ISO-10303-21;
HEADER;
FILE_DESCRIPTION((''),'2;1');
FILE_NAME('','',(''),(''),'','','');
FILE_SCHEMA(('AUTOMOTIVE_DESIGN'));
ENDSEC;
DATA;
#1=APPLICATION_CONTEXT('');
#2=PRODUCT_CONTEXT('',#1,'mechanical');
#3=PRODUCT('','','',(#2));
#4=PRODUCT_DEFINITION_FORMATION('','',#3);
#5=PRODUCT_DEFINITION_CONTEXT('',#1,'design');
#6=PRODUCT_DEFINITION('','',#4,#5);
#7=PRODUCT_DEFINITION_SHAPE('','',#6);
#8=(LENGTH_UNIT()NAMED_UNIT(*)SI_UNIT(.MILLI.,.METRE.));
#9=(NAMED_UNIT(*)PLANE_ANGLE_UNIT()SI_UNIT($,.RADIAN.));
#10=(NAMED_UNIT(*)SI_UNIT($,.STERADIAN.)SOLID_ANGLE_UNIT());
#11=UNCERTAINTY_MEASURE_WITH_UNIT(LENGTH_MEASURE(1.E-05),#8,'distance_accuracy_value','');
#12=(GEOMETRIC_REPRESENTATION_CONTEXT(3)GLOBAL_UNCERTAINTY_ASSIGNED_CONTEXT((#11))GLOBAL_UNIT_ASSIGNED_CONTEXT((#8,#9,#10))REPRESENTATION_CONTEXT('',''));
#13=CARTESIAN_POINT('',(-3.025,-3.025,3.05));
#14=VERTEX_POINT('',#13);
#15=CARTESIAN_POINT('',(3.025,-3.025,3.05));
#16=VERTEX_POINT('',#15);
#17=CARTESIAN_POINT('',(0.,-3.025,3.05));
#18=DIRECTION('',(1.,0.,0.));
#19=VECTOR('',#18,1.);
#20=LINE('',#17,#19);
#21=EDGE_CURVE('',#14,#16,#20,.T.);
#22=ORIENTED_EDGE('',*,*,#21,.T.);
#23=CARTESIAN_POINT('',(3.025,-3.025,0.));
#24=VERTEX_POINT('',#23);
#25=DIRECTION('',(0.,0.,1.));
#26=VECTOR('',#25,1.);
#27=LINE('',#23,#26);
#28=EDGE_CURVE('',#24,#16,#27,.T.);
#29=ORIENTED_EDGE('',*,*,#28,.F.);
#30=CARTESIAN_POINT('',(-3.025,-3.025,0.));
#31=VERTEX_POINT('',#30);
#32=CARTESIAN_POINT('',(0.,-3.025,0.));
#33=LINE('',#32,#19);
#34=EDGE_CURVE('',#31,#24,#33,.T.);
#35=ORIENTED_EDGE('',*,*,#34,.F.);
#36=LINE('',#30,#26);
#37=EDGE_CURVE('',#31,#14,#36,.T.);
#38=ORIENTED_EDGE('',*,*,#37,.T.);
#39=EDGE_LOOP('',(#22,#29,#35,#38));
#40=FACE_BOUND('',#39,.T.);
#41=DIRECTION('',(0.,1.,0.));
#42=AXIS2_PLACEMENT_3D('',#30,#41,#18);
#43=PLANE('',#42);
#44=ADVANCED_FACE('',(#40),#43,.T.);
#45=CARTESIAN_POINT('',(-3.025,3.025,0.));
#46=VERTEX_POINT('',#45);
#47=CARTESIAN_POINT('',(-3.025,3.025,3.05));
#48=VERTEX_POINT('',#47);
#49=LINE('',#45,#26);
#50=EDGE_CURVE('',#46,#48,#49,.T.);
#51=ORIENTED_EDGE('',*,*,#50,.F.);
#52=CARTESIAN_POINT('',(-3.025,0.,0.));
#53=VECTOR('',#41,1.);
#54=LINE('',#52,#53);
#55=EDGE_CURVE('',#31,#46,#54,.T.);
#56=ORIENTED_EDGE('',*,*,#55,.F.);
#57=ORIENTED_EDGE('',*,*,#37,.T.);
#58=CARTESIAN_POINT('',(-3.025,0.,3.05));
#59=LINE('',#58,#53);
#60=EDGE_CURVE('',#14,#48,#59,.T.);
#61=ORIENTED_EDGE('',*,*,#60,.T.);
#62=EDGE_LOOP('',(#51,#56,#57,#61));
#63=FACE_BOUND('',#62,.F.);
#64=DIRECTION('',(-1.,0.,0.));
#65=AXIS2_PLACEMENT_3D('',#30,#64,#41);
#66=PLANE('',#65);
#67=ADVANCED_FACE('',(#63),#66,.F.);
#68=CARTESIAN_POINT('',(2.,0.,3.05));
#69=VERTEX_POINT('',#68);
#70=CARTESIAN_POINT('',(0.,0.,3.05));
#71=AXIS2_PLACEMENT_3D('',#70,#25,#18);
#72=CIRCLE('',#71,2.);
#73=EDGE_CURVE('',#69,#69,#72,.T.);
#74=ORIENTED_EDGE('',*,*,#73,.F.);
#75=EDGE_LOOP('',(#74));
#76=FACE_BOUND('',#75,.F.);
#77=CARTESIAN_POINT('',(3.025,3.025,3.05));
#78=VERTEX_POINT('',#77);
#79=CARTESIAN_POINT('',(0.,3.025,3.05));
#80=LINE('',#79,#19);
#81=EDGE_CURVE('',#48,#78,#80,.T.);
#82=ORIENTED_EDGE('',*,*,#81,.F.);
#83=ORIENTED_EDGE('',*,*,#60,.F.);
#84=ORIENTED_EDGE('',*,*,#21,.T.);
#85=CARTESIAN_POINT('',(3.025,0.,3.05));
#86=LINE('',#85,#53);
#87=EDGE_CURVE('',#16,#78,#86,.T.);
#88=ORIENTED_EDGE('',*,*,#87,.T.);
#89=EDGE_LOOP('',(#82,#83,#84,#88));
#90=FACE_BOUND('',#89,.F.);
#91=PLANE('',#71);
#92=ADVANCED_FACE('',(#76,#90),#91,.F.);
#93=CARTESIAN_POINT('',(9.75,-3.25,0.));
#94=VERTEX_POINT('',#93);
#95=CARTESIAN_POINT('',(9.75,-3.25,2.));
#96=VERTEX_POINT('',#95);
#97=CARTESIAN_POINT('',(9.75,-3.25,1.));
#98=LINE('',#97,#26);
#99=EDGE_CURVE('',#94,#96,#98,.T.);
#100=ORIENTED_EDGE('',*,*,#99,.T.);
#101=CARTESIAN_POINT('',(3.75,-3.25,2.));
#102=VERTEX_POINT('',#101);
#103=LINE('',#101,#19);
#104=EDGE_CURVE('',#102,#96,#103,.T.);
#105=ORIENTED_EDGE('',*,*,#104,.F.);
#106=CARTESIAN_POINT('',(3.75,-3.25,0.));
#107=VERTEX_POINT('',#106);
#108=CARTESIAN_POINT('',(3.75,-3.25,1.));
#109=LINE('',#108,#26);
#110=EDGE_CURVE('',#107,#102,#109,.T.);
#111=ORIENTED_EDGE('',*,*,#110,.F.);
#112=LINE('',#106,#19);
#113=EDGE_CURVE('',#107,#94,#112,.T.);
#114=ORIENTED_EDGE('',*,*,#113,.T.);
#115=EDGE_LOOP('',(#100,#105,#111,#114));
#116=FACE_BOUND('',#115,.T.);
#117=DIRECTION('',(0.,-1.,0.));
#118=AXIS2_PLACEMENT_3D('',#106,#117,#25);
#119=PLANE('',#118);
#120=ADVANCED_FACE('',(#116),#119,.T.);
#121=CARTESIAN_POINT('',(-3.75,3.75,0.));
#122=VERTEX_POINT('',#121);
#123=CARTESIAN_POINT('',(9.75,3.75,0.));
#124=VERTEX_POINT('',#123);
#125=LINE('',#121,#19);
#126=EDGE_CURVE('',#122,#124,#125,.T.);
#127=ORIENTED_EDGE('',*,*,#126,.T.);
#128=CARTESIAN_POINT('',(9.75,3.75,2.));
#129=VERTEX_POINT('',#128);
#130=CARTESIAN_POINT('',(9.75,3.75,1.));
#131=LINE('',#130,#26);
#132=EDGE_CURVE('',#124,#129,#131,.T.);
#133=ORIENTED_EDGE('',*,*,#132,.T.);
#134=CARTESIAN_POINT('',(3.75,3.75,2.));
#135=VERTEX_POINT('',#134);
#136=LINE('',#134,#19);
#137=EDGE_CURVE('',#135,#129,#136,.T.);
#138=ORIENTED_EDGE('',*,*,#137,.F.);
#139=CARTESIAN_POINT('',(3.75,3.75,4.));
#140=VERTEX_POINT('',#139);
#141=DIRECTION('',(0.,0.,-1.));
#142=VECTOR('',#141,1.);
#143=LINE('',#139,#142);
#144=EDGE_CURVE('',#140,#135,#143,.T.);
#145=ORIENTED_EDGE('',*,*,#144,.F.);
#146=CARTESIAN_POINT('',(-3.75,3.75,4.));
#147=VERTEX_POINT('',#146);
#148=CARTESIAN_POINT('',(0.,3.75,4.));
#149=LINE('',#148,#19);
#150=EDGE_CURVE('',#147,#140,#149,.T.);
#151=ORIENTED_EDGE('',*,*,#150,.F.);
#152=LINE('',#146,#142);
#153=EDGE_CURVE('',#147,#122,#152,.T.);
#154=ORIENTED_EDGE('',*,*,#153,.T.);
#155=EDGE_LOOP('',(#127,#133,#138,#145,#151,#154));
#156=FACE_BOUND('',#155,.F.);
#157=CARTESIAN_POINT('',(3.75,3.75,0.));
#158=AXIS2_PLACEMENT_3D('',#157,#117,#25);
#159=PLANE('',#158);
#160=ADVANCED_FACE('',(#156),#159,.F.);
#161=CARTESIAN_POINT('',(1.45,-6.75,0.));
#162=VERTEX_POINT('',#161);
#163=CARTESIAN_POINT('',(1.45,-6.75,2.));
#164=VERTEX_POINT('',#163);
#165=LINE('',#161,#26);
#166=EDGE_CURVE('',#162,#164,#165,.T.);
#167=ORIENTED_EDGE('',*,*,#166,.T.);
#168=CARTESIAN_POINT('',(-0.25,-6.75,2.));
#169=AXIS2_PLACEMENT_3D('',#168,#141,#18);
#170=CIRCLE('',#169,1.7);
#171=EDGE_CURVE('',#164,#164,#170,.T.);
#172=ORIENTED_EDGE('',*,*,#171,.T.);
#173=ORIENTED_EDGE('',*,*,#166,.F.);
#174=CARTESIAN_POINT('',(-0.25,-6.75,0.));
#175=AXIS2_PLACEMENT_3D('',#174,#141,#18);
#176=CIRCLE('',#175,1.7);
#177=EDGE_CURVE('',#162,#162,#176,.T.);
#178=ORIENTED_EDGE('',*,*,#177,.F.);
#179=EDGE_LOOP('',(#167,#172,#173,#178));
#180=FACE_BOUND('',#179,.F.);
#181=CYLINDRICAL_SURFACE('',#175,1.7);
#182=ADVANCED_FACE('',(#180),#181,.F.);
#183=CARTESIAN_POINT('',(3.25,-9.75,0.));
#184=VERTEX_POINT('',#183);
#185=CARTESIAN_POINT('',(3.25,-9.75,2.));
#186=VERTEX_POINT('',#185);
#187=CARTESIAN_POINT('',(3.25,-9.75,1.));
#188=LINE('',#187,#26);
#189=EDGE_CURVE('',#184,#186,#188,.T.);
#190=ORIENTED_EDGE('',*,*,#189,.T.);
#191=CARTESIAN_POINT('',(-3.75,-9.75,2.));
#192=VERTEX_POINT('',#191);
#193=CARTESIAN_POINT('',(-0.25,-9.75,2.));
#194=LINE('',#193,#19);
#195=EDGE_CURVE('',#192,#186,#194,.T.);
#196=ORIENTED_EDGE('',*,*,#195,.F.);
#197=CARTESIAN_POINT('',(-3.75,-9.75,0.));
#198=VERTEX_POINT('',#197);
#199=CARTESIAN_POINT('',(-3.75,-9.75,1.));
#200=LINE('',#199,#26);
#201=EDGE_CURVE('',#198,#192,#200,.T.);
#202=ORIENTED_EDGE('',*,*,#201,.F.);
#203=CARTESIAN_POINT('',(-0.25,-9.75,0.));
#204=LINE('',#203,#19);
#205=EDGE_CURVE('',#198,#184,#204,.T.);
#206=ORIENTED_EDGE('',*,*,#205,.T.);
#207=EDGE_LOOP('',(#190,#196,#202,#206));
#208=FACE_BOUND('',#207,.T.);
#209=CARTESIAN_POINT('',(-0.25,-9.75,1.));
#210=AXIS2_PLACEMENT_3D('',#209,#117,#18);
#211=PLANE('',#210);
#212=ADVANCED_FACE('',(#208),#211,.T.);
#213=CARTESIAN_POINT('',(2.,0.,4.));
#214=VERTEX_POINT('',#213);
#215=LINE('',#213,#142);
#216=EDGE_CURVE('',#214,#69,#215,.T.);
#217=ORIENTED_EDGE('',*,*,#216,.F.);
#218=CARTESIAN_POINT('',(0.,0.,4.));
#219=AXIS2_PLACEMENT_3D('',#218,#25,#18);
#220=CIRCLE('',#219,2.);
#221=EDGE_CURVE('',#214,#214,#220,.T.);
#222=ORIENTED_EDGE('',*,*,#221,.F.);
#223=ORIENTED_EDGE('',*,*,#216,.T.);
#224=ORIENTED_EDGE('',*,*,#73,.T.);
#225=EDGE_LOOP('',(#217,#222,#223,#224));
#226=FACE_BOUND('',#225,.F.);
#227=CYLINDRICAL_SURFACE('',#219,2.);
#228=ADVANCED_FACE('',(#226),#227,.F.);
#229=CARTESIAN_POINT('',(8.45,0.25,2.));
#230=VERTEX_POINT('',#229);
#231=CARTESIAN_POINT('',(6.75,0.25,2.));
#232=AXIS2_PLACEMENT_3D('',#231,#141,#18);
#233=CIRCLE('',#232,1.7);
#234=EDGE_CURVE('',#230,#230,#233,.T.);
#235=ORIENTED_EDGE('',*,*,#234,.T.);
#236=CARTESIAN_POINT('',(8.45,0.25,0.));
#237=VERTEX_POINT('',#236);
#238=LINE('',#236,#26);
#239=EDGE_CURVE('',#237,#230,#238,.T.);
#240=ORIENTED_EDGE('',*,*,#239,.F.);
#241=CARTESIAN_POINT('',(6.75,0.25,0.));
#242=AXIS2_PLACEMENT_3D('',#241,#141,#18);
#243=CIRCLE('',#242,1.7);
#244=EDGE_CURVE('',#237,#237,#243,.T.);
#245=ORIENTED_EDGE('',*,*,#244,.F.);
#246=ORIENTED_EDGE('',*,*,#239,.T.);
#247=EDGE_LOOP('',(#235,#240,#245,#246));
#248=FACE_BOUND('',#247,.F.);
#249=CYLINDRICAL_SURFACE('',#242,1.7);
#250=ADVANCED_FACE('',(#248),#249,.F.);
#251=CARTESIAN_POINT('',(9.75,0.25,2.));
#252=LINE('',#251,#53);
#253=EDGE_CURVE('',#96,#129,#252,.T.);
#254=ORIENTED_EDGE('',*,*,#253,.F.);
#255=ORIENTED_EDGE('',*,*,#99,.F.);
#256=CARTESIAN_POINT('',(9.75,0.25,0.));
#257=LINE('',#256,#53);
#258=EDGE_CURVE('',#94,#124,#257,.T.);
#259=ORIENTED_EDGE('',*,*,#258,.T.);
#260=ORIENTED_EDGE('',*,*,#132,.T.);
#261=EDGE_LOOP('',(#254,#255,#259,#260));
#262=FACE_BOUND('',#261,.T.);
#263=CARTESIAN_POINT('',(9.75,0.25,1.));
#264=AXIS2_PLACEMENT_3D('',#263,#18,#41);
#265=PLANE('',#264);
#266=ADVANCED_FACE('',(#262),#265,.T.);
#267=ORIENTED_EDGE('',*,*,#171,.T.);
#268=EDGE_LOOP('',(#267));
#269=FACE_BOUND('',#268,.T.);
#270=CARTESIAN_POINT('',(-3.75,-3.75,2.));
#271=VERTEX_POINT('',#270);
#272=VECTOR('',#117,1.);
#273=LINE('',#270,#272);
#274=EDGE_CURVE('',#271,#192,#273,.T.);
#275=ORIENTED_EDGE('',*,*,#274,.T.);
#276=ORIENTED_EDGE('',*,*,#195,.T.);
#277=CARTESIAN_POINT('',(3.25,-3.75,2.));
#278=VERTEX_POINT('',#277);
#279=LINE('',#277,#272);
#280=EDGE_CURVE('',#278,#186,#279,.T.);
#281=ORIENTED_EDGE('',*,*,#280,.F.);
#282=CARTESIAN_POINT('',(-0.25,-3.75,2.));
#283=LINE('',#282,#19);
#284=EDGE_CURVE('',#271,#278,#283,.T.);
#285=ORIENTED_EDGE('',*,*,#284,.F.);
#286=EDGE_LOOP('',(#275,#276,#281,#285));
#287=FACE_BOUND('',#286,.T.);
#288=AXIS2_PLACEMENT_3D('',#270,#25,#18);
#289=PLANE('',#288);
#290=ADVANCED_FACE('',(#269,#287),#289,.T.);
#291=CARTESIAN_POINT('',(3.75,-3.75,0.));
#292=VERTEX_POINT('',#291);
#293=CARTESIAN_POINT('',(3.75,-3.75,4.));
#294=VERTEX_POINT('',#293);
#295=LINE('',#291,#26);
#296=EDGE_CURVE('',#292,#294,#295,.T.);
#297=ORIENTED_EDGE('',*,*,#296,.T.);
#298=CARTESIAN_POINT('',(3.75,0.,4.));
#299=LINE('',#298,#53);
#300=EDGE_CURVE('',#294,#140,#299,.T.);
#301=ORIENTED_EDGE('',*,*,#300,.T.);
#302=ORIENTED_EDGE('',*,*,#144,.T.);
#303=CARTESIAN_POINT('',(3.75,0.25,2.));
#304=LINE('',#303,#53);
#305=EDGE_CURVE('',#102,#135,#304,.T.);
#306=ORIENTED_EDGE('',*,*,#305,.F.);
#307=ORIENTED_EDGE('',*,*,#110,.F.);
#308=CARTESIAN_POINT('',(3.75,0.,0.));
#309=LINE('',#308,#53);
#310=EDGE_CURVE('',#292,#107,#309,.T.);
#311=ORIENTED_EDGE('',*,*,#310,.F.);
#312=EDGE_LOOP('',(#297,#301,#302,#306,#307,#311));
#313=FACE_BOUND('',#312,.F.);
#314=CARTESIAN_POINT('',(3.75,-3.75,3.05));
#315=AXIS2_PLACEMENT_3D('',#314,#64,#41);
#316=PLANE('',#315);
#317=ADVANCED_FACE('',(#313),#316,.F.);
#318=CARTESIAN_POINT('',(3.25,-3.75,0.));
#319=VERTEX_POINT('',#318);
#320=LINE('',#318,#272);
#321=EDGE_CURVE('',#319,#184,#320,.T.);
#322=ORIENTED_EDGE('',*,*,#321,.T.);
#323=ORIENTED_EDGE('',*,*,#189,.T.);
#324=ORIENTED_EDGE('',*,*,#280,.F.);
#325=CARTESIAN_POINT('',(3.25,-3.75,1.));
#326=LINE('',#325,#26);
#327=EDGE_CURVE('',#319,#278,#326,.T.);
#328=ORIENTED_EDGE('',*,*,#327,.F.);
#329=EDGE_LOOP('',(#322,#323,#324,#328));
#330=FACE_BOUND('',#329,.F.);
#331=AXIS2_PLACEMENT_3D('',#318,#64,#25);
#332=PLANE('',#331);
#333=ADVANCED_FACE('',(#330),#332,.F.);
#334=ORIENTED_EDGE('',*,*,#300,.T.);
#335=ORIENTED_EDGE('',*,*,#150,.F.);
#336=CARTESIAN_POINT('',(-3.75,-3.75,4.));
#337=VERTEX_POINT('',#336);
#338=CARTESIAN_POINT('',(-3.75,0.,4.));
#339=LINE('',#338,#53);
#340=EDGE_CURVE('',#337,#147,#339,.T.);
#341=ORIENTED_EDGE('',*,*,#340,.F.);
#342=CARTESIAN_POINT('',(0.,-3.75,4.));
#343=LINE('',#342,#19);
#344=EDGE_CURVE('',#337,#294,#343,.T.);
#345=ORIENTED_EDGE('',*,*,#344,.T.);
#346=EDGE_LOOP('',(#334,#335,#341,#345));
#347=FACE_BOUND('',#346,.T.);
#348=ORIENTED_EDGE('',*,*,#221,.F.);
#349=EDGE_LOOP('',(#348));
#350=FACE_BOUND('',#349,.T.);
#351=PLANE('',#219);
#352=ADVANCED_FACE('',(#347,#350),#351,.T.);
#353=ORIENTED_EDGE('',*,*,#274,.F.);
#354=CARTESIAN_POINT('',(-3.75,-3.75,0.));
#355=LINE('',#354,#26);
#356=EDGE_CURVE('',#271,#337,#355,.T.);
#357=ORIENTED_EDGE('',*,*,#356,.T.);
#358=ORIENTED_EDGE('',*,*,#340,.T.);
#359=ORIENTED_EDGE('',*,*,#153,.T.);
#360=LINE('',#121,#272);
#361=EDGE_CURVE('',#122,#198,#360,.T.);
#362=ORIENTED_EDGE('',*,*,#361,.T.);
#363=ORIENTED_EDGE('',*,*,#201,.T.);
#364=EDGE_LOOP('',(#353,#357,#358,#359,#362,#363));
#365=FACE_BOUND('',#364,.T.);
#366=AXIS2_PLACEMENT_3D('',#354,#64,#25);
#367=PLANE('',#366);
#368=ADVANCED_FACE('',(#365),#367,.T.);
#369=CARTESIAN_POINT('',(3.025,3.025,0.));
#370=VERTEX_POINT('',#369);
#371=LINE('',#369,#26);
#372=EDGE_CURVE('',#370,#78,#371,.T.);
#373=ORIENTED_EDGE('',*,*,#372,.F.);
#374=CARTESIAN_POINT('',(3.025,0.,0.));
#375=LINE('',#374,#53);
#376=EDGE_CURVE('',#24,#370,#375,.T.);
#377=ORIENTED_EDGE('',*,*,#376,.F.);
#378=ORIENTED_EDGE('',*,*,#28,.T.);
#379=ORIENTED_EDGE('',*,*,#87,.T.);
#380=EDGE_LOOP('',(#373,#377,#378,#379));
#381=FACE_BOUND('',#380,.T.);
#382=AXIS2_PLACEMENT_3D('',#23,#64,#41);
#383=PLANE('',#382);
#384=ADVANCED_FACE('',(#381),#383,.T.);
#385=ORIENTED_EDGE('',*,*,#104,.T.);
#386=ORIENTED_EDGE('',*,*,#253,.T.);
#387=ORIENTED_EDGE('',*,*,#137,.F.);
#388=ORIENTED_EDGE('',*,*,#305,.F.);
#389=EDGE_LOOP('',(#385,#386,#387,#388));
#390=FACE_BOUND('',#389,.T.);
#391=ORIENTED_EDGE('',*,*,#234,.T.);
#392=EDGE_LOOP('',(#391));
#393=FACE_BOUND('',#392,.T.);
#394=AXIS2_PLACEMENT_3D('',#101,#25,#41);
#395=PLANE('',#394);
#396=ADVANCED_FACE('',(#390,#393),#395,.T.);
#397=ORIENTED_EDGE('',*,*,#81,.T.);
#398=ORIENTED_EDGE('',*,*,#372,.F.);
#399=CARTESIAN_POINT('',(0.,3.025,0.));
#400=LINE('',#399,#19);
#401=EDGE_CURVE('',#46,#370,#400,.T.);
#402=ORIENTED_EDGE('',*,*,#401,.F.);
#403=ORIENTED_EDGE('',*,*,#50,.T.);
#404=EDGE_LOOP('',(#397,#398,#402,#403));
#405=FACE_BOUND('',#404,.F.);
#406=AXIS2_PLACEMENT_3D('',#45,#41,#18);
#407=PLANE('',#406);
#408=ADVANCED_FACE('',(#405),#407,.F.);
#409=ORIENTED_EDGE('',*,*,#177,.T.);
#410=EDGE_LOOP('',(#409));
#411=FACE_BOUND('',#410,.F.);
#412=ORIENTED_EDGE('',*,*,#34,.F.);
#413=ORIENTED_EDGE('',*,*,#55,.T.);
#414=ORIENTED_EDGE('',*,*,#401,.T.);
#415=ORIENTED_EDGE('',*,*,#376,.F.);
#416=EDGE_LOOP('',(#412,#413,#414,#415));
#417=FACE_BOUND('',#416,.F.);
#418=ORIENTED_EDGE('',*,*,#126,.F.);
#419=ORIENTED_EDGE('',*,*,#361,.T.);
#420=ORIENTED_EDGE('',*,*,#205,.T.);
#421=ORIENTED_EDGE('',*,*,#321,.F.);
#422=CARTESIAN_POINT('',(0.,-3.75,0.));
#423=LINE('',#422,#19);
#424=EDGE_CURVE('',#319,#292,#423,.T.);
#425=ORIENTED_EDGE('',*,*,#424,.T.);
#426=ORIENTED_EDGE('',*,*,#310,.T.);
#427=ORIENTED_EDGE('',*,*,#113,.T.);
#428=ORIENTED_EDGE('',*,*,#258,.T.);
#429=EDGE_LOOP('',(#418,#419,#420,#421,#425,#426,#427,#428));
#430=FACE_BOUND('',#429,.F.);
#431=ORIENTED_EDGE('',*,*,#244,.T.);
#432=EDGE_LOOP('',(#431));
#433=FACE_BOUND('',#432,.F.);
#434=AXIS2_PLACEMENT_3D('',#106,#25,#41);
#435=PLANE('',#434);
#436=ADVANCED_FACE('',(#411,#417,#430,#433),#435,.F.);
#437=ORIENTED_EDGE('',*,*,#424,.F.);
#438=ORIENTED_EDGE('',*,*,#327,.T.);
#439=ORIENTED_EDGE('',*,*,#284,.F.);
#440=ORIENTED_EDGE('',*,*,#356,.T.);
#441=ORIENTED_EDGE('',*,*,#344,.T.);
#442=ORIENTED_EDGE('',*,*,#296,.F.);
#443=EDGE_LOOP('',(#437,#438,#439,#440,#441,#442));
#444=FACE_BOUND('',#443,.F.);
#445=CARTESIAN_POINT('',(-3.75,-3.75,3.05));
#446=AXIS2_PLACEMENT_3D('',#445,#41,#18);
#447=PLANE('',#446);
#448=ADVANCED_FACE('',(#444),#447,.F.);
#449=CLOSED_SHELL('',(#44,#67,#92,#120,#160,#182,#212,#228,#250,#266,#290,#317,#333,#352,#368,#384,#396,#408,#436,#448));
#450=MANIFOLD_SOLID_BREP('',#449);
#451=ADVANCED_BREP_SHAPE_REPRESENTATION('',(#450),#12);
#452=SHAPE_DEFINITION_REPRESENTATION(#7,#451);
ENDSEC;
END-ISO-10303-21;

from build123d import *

# Parameters (mm, degrees)
SKETCH_W     = 7.5
SKETCH_H     = 7.5
SKETCH_W_2   = 6.05
SKETCH_H_2   = 6.05
PAD_DEPTH    = 3.05
SKETCH001_W  = 7.5
SKETCH001_H  = 7.5
PAD001_DEPTH = 0.95
SKETCH002_W  = 7
SKETCH002_H  = 2
PAD002_DEPTH = 6
SKETCH004_W  = 7
SKETCH004_H  = 2
PAD003_DEPTH = 6
SKETCH005_R  = 1.7
HOLE_DEPTH   = 25
SKETCH006_R  = 2
POCKET_DEPTH = 1


with BuildPart() as part:
    # Sketch → Pad (new body)
    with BuildSketch(Plane.XY):
        Rectangle(SKETCH_W, SKETCH_H)
        Rectangle(SKETCH_W_2, SKETCH_H_2, mode=Mode.SUBTRACT)
    extrude(amount=PAD_DEPTH)

    # Sketch001 (on Face10 of Pad) → Pad001 (join)
    with BuildSketch(Plane.XY.offset(3.05)):
        Rectangle(SKETCH001_W, SKETCH001_H)
    extrude(amount=PAD001_DEPTH)

    # Sketch002 (on Face10 of Pad001) → Pad002 (join)
    with BuildSketch(Plane.XZ.offset(3.75)):
        with Locations((-0.25, 1)):
            Rectangle(SKETCH002_W, SKETCH002_H)
    extrude(amount=PAD002_DEPTH)

    # Sketch004 (on Face2 of Pad002) → Pad003 (join)
    with BuildSketch(Plane.YZ.offset(3.75)):
        with Locations((0.25, 1)):
            Rectangle(SKETCH004_W, SKETCH004_H)
    extrude(amount=PAD003_DEPTH)

    # Sketch005 (on Face11 of Pad003) → Hole (cut)
    with BuildSketch(Plane(origin=(0, 0, 0), x_dir=(1, 0, 0), z_dir=(0, 0, -1))):
        with Locations((6.75, -0.25)):
            Circle(SKETCH005_R)
        with Locations((-0.25, 6.75)):
            Circle(SKETCH005_R)
    extrude(amount=-HOLE_DEPTH, mode=Mode.SUBTRACT)

    # Sketch006 (on Face3 of Hole) → Pocket (cut)
    with BuildSketch(Plane.XY.offset(4)):
        Circle(SKETCH006_R)
    extrude(amount=-POCKET_DEPTH, mode=Mode.SUBTRACT)


solid = part.part
